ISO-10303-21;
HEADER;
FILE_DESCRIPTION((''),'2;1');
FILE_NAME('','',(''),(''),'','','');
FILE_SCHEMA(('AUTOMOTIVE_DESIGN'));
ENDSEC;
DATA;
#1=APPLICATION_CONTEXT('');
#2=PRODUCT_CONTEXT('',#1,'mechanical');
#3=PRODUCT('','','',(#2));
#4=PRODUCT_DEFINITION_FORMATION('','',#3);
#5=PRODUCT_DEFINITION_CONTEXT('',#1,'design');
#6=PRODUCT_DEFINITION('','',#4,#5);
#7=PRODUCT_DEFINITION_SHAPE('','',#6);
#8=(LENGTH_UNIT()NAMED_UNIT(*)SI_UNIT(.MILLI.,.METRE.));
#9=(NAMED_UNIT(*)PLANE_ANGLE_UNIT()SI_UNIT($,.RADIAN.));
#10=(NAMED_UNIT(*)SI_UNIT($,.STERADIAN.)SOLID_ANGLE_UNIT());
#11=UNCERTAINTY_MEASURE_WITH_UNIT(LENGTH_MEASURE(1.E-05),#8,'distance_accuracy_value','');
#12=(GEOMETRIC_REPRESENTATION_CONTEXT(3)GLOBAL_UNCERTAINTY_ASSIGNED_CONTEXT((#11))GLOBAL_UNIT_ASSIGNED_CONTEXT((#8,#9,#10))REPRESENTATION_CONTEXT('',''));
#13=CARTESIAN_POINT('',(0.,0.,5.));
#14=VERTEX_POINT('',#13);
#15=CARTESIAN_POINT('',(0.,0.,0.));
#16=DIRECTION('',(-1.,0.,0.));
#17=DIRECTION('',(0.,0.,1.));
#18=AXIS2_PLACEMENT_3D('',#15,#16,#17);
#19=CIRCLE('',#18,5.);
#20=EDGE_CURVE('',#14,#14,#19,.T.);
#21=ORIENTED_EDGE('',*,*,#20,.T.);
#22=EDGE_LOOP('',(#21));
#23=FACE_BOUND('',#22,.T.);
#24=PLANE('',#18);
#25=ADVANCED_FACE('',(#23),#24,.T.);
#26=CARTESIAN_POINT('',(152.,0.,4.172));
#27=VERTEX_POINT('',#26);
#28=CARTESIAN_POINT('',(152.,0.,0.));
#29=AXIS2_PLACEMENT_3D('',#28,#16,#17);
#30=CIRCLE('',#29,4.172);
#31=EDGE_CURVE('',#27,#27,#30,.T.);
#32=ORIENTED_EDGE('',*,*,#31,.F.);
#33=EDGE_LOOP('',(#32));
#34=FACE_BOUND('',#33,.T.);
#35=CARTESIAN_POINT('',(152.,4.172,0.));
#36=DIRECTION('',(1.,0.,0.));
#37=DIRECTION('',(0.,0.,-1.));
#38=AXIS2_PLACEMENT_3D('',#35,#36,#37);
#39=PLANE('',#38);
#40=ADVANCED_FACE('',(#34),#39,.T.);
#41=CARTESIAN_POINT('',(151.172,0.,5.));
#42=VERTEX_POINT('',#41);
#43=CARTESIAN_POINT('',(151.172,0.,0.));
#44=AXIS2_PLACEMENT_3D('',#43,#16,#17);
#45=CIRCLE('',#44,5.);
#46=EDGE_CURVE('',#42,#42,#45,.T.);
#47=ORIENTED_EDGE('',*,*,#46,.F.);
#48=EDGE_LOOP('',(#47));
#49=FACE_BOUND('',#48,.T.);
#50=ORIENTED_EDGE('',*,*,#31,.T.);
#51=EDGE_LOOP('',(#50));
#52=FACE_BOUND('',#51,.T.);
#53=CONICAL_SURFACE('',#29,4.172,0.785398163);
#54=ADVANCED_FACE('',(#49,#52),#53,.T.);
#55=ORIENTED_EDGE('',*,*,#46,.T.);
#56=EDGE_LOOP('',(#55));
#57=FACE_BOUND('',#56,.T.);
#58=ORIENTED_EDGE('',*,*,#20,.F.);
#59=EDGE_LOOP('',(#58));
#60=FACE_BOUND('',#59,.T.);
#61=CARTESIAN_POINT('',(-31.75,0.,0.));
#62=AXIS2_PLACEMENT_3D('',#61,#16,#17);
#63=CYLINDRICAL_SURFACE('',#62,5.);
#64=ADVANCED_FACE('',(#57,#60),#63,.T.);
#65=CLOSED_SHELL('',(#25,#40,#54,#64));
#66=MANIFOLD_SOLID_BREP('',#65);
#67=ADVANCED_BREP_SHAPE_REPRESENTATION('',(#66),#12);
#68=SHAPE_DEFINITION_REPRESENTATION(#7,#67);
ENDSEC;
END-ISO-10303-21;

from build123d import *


with BuildPart() as part:
    # BodySke → Base-Revolve (revolve)
    with BuildSketch(Plane.XY, mode=Mode.PRIVATE) as base_revolve_sk:
        Polygon((0, 0), (0, 5), (151.172, 5), (152, 4.172), (152, 0), align=None)
    revolve(base_revolve_sk.sketch.rotate(Axis((-31.75, 0, 0), (1, 0, 0)), 90), axis=Axis((-31.75, 0, 0), (1, 0, 0)))


solid = part.part
